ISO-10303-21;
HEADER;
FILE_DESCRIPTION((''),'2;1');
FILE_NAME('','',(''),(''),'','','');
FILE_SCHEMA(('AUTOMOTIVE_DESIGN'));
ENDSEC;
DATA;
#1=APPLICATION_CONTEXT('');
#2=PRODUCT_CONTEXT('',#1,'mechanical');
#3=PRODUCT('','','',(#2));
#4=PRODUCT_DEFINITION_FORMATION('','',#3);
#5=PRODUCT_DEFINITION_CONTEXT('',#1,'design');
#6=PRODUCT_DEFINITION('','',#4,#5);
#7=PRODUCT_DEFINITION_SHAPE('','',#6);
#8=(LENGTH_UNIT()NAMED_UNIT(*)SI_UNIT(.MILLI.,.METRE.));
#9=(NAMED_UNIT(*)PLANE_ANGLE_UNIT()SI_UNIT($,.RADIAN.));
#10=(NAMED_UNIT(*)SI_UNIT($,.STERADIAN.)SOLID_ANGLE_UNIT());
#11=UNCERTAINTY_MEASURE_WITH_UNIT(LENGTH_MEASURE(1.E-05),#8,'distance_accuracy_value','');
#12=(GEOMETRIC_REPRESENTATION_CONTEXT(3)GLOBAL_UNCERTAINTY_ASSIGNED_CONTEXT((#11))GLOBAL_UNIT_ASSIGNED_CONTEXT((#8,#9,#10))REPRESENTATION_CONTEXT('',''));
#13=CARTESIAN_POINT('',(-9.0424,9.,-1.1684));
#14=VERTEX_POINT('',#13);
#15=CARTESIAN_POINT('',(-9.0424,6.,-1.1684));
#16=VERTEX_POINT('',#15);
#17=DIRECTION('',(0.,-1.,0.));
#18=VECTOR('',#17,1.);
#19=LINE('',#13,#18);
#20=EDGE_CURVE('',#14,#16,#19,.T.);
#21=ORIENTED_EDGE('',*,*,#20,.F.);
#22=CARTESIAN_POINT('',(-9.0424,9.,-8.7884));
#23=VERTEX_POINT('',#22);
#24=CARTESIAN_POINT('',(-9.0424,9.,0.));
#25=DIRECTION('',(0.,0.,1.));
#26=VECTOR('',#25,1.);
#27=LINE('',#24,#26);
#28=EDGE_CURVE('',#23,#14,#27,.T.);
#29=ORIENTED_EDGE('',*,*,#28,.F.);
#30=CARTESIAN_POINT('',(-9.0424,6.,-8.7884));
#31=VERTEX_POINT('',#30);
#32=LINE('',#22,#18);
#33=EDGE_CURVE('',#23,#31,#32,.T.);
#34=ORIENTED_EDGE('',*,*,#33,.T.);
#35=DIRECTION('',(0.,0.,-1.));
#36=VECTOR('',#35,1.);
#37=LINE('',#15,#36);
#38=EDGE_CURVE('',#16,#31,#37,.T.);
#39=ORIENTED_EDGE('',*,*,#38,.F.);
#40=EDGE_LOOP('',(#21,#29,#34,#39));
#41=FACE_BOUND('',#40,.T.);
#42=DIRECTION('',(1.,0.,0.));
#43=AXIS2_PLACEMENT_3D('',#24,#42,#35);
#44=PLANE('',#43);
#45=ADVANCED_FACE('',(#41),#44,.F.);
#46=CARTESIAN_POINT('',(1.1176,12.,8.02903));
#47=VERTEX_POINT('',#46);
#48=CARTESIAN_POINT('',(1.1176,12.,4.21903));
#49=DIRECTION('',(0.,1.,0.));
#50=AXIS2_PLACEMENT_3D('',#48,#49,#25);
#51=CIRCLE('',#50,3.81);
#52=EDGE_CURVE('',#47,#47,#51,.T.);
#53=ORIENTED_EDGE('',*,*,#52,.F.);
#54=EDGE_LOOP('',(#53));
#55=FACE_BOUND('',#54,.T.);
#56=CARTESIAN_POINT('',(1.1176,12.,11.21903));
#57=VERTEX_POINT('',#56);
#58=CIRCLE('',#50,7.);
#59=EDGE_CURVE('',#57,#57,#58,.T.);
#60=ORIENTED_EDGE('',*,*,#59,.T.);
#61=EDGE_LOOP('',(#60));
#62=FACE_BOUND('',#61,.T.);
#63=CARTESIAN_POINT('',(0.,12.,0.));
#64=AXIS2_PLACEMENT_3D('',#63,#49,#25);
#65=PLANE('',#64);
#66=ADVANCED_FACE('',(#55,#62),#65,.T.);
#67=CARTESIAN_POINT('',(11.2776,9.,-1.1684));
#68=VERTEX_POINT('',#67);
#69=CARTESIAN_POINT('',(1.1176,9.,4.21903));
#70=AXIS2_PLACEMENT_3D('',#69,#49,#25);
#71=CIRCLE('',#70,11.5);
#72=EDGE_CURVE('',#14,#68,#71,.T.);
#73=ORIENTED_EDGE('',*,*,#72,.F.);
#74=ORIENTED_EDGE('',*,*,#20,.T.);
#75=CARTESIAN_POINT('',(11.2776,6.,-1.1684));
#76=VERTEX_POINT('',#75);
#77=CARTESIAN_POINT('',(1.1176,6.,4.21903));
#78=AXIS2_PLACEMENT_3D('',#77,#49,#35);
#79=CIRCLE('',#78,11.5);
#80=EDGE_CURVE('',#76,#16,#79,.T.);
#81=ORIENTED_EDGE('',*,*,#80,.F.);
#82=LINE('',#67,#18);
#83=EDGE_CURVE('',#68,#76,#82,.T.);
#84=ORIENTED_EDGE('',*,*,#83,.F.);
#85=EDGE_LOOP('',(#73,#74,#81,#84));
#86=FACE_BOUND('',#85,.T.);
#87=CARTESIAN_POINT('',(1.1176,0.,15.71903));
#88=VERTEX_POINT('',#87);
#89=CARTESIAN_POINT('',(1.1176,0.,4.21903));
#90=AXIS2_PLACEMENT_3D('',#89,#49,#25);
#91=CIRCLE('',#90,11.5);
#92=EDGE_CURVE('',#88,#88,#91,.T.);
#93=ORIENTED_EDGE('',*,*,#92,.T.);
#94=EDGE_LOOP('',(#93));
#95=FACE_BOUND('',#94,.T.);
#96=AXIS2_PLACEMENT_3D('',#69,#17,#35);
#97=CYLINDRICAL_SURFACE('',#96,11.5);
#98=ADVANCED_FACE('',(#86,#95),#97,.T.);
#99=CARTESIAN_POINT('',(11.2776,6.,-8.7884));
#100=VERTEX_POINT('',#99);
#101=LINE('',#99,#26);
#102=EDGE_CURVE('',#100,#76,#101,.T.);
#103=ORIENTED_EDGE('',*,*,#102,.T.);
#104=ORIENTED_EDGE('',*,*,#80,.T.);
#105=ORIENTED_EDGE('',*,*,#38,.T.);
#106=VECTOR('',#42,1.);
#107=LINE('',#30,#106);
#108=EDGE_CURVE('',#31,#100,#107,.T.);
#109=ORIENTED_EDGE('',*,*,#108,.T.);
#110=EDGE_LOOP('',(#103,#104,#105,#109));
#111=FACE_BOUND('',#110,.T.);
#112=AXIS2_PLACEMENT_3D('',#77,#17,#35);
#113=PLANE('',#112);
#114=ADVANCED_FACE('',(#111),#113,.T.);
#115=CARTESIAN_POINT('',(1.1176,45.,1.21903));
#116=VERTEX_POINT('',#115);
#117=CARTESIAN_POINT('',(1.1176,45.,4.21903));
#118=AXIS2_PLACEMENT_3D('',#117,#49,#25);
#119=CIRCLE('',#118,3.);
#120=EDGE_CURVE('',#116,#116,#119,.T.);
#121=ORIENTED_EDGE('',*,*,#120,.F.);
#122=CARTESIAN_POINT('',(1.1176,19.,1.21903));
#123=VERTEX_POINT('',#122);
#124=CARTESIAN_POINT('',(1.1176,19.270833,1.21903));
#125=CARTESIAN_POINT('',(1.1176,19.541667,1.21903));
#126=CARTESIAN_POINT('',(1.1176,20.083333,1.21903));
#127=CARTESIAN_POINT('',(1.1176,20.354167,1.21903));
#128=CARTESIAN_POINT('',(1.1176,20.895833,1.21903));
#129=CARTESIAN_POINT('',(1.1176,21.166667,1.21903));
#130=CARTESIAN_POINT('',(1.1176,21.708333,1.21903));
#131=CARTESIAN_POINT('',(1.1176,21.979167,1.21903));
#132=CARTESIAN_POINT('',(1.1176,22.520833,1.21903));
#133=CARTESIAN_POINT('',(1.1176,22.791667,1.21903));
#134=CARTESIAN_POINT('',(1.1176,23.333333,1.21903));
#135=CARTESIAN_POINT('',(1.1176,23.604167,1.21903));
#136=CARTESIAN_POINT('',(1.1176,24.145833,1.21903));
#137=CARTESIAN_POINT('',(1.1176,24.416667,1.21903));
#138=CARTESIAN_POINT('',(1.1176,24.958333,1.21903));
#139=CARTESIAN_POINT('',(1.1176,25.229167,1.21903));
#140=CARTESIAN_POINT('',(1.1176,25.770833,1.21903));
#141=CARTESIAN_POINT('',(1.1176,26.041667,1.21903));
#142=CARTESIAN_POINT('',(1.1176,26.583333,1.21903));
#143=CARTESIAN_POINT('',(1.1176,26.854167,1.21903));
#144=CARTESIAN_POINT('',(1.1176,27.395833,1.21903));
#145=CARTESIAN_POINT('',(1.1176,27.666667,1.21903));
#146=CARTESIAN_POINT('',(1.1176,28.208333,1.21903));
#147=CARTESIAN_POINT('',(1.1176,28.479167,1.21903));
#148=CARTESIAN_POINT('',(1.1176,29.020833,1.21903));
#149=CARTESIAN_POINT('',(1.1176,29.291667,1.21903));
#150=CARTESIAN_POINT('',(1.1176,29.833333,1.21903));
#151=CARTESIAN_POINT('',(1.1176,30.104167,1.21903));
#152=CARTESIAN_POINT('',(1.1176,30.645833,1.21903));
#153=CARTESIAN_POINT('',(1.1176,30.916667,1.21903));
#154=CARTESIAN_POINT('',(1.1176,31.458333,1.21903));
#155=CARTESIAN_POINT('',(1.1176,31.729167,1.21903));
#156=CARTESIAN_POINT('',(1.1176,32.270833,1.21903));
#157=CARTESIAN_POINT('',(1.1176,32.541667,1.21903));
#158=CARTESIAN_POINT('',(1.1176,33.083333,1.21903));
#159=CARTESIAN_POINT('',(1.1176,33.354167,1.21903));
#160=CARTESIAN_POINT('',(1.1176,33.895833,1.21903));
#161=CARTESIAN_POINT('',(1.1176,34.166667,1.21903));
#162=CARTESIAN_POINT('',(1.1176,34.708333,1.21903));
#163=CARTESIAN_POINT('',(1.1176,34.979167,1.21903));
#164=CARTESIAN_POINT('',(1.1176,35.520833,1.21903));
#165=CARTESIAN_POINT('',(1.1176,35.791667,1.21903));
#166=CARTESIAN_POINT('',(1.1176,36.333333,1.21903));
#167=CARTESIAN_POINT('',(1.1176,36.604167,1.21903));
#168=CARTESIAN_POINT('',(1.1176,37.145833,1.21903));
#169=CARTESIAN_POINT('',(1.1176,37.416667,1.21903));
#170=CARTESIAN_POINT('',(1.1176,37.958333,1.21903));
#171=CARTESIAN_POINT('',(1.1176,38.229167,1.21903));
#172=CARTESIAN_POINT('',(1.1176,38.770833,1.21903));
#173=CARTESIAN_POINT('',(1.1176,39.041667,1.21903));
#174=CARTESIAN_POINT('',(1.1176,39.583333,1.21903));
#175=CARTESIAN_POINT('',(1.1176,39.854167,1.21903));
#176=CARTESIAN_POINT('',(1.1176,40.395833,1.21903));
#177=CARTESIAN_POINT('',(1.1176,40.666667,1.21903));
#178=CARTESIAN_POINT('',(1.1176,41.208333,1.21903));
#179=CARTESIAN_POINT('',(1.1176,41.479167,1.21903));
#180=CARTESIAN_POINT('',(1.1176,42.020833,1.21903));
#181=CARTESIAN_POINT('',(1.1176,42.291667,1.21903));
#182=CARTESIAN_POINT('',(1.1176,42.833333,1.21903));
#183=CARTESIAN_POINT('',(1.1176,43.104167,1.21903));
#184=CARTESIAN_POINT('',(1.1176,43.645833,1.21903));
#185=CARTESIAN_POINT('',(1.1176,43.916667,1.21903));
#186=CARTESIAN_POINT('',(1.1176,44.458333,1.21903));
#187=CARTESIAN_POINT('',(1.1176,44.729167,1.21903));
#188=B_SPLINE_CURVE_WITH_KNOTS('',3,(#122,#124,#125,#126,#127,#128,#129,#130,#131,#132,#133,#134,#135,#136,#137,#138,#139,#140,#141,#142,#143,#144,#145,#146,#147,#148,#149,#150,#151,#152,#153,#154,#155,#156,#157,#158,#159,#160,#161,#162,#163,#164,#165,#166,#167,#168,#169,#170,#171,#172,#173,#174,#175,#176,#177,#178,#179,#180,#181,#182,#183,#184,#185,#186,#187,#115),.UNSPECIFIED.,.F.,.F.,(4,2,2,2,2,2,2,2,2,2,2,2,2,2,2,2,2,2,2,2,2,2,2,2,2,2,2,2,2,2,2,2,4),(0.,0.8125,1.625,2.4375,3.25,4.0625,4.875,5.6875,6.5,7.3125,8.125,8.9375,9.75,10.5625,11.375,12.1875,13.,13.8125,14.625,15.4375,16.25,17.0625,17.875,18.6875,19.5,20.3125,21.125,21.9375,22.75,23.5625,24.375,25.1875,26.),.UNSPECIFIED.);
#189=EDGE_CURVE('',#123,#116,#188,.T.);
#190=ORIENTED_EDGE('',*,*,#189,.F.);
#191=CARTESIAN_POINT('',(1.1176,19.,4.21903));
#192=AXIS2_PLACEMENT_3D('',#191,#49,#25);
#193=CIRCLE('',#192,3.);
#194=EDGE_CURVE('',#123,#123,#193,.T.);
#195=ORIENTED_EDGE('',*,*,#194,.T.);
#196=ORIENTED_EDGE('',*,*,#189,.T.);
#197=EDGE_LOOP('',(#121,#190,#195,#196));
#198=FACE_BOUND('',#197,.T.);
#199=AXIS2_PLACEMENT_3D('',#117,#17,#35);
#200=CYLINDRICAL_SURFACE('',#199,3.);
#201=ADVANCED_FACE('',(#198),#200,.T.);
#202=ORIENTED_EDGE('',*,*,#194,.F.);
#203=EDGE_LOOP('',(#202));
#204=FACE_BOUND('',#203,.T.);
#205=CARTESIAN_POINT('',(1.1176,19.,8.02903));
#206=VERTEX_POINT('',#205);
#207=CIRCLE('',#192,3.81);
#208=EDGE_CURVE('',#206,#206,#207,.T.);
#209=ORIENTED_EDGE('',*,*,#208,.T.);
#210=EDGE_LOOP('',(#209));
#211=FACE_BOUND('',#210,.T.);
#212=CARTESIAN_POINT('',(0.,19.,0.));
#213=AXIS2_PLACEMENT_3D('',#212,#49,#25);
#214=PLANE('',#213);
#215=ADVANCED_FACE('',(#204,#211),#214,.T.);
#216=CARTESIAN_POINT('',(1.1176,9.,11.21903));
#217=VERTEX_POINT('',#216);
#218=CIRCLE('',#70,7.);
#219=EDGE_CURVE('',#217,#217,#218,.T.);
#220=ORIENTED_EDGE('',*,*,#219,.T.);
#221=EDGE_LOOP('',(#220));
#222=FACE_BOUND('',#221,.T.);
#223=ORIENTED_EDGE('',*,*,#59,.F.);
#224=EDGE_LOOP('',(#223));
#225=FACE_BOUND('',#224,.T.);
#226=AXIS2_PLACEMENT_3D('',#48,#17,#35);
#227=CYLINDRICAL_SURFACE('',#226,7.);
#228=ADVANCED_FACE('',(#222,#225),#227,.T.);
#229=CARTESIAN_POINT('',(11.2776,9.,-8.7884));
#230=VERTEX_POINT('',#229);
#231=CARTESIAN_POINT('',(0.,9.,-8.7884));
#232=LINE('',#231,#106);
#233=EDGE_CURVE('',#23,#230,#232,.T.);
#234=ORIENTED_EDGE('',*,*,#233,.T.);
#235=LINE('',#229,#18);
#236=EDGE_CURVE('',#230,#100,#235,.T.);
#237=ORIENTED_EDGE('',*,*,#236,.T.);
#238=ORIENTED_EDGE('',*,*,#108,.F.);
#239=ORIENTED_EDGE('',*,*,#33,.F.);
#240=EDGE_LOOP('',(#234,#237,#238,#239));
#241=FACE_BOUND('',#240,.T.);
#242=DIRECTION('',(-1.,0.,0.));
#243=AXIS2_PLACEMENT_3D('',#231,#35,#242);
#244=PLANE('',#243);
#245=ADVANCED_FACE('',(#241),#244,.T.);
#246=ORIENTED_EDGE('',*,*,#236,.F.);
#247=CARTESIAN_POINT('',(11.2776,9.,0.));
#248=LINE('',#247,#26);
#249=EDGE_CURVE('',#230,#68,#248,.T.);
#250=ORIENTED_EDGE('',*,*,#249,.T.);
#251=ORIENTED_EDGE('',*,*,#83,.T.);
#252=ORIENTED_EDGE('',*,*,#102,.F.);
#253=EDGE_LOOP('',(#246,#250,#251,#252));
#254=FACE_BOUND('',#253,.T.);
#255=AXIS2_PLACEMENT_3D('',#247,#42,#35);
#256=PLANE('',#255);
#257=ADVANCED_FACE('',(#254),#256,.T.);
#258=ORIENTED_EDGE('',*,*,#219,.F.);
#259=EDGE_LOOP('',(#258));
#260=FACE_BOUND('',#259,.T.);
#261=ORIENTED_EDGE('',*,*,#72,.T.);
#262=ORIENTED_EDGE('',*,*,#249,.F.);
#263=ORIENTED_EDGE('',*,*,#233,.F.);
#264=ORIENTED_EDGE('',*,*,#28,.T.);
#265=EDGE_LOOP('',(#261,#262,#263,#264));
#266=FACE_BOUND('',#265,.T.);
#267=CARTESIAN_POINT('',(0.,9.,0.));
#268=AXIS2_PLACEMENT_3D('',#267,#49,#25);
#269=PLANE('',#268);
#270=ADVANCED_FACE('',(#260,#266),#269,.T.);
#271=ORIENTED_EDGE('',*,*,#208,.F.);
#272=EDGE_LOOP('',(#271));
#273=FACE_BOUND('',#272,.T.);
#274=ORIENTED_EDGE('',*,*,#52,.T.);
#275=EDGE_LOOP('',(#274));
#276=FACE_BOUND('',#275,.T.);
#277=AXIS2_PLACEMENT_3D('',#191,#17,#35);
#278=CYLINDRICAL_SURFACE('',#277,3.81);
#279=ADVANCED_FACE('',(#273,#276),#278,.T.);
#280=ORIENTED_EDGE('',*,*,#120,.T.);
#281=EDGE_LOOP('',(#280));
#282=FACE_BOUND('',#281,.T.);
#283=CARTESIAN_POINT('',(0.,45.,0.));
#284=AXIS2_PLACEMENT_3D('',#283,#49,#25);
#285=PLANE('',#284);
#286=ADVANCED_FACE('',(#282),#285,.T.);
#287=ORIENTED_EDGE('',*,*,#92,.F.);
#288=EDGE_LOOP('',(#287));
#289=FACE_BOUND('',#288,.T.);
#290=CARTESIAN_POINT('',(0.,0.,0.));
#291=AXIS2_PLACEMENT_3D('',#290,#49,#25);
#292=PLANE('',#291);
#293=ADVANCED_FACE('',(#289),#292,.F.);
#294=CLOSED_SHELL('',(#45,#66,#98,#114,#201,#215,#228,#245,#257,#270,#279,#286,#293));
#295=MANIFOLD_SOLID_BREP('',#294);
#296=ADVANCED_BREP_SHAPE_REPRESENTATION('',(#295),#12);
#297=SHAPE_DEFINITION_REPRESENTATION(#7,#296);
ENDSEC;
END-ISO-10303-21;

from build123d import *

# Parameters (mm, degrees)
SKETCH1_R           = 7
BOSS_EXTRUDE1_DEPTH = 9
SKETCH1_3_R         = 7
SKETCH1_3_R_2       = 3.81
BOSS_EXTRUDE2_DEPTH = 12
SKETCH1_4_R         = 3.81
SKETCH1_4_R_2       = 3
BOSS_EXTRUDE3_DEPTH = 19
SKETCH1_5_R         = 3
BOSS_EXTRUDE4_DEPTH = 45
CUT_EXTRUDE1_DEPTH  = 6


with BuildPart() as part:
    # Sketch1 → Boss-Extrude1 (new body)
    with BuildSketch(Plane(origin=(0, 0, 0), x_dir=(1, 0, 0), z_dir=(0, 1, 0))):
        with BuildLine():
            Line((11.2776, 8.7884), (-9.0424, 8.7884))
            Line((-9.0424, 8.7884), (-9.0424, 1.1684))
            ThreePointArc((-9.0424, 1.1684), (1.1176, -15.719029814), (11.2776, 1.1684))
            Line((11.2776, 1.1684), (11.2776, 8.7884))
        make_face()
        with Locations((1.1176, -4.219029814)):
            Circle(SKETCH1_R, mode=Mode.SUBTRACT)
    extrude(amount=BOSS_EXTRUDE1_DEPTH)

    # Sketch1<3> → Boss-Extrude2 (add)
    with BuildSketch(Plane(origin=(0, 0, 0), x_dir=(1, 0, 0), z_dir=(0, 1, 0))):
        with Locations((1.1176, -4.219029814)):
            Circle(SKETCH1_3_R)
        with Locations((1.1176, -4.219029814)):
            Circle(SKETCH1_3_R_2, mode=Mode.SUBTRACT)
    extrude(amount=BOSS_EXTRUDE2_DEPTH)

    # Sketch1<4> → Boss-Extrude3 (add)
    with BuildSketch(Plane(origin=(0, 0, 0), x_dir=(1, 0, 0), z_dir=(0, 1, 0))):
        with Locations((1.1176, -4.219029814)):
            Circle(SKETCH1_4_R)
        with Locations((1.1176, -4.219029814)):
            Circle(SKETCH1_4_R_2, mode=Mode.SUBTRACT)
    extrude(amount=BOSS_EXTRUDE3_DEPTH)

    # Sketch1<5> → Boss-Extrude4 (add)
    with BuildSketch(Plane(origin=(0, 0, 0), x_dir=(1, 0, 0), z_dir=(0, 1, 0))):
        with Locations((1.1176, -4.219029814)):
            Circle(SKETCH1_5_R)
    extrude(amount=BOSS_EXTRUDE4_DEPTH)

    # Sketch2 → Cut-Extrude1 (cut)
    with BuildSketch(Plane(origin=(0, 0, 0), x_dir=(-1, 0, 0), z_dir=(0, -1, 0))):
        with BuildLine():
            Line((9.0424, 1.1684), (9.0424, 8.7884))
            Line((9.0424, 8.7884), (-11.2776, 8.7884))
            Line((-11.2776, 8.7884), (-11.2776, 1.1684))
            ThreePointArc((-11.2776, 1.1684), (-1.1176, 7.280970186), (9.0424, 1.1684))
        make_face()
    extrude(amount=-CUT_EXTRUDE1_DEPTH, mode=Mode.SUBTRACT)


solid = part.part
